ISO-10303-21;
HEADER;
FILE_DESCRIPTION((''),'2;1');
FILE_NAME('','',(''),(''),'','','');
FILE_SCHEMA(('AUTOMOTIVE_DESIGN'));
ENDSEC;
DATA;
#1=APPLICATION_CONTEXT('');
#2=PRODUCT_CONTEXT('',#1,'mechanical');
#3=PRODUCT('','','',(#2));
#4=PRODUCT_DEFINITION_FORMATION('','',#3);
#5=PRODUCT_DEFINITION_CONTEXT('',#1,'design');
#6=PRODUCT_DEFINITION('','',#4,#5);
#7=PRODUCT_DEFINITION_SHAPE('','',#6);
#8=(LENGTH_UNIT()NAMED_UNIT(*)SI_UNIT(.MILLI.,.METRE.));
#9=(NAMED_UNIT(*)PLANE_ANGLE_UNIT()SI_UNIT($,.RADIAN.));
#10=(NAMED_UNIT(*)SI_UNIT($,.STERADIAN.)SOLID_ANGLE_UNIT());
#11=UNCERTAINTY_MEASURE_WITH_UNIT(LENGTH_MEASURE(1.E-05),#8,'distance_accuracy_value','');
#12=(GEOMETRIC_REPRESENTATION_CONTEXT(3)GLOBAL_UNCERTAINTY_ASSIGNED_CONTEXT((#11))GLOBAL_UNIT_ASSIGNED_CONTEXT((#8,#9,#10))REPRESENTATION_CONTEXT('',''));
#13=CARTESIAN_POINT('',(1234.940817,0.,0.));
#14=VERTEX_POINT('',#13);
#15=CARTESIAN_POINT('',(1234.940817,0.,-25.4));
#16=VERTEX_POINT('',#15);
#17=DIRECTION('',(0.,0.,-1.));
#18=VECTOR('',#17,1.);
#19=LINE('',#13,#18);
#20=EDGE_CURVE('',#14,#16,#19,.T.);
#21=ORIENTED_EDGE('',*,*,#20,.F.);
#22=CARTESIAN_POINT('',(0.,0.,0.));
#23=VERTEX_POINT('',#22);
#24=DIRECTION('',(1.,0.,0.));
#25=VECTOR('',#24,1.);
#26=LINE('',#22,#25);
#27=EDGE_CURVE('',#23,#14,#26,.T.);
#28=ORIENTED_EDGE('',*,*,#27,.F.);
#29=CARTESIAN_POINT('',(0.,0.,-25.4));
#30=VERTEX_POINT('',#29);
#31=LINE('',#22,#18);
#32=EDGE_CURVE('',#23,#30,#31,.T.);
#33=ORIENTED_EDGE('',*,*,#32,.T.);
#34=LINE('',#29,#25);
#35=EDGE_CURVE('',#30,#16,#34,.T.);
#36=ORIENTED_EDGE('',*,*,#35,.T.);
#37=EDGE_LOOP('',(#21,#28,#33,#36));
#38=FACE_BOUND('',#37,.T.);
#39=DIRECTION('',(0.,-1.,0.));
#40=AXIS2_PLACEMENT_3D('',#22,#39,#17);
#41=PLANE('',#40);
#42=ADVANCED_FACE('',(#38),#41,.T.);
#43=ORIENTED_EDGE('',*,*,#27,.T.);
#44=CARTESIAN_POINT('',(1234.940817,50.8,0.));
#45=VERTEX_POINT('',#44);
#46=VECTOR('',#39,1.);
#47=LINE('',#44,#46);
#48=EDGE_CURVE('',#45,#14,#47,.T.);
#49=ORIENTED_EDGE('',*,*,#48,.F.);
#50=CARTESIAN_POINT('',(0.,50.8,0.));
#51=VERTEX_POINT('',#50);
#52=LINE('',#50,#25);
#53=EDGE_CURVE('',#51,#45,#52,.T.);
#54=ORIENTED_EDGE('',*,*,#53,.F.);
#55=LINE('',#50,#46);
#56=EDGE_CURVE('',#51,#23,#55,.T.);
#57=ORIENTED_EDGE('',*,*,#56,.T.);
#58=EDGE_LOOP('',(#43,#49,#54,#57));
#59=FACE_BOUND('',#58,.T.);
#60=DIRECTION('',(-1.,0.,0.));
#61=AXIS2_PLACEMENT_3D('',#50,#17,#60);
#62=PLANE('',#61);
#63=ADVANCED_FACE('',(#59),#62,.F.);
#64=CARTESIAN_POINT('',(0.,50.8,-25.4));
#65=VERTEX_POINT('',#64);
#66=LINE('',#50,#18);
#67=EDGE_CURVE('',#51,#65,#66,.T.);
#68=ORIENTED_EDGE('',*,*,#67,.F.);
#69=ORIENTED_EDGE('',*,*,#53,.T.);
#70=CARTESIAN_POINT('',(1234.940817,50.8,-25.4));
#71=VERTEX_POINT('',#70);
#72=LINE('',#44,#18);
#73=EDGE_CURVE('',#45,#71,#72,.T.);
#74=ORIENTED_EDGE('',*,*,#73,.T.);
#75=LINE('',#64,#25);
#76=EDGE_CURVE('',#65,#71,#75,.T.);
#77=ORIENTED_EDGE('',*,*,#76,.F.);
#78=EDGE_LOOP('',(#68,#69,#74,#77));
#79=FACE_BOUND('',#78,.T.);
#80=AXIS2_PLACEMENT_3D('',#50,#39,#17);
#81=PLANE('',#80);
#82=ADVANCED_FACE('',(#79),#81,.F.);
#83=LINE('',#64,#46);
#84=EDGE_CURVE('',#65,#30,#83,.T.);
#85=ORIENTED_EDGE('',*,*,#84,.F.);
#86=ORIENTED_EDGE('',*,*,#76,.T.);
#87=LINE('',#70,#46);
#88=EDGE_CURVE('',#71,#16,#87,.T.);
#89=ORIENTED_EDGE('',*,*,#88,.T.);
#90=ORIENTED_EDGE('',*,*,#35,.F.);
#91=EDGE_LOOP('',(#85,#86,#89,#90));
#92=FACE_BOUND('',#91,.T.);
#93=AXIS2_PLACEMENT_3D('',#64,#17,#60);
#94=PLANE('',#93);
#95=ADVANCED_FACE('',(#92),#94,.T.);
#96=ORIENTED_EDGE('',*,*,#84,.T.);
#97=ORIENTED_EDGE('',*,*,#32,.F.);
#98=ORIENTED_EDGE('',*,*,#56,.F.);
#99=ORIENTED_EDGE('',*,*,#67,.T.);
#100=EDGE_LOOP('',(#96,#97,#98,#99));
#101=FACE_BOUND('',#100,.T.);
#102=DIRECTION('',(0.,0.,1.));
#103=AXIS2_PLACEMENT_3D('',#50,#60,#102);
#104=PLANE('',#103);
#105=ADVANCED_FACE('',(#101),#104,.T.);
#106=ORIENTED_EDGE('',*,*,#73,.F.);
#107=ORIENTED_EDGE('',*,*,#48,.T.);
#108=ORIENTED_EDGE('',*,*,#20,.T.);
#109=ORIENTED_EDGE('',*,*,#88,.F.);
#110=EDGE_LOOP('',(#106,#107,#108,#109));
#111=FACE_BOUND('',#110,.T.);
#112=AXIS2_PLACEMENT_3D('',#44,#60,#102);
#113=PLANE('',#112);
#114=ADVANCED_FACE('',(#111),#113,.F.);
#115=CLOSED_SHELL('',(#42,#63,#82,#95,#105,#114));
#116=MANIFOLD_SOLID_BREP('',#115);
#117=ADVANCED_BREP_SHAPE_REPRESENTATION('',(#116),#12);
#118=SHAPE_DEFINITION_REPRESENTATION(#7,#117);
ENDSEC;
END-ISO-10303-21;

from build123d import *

# Parameters (mm, degrees)
SKETCH1_W           = 1234.940816721
SKETCH1_H           = 25.4
BOSS_EXTRUDE2_DEPTH = 50.8


with BuildPart() as part:
    # Sketch1 → Boss-Extrude2 (new body)
    with BuildSketch(Plane(origin=(0, 0, 0), x_dir=(1, 0, 0), z_dir=(0, 1, 0))):
        with Locations((617.470408361, 12.7)):
            Rectangle(SKETCH1_W, SKETCH1_H)
    extrude(amount=BOSS_EXTRUDE2_DEPTH)


solid = part.part
